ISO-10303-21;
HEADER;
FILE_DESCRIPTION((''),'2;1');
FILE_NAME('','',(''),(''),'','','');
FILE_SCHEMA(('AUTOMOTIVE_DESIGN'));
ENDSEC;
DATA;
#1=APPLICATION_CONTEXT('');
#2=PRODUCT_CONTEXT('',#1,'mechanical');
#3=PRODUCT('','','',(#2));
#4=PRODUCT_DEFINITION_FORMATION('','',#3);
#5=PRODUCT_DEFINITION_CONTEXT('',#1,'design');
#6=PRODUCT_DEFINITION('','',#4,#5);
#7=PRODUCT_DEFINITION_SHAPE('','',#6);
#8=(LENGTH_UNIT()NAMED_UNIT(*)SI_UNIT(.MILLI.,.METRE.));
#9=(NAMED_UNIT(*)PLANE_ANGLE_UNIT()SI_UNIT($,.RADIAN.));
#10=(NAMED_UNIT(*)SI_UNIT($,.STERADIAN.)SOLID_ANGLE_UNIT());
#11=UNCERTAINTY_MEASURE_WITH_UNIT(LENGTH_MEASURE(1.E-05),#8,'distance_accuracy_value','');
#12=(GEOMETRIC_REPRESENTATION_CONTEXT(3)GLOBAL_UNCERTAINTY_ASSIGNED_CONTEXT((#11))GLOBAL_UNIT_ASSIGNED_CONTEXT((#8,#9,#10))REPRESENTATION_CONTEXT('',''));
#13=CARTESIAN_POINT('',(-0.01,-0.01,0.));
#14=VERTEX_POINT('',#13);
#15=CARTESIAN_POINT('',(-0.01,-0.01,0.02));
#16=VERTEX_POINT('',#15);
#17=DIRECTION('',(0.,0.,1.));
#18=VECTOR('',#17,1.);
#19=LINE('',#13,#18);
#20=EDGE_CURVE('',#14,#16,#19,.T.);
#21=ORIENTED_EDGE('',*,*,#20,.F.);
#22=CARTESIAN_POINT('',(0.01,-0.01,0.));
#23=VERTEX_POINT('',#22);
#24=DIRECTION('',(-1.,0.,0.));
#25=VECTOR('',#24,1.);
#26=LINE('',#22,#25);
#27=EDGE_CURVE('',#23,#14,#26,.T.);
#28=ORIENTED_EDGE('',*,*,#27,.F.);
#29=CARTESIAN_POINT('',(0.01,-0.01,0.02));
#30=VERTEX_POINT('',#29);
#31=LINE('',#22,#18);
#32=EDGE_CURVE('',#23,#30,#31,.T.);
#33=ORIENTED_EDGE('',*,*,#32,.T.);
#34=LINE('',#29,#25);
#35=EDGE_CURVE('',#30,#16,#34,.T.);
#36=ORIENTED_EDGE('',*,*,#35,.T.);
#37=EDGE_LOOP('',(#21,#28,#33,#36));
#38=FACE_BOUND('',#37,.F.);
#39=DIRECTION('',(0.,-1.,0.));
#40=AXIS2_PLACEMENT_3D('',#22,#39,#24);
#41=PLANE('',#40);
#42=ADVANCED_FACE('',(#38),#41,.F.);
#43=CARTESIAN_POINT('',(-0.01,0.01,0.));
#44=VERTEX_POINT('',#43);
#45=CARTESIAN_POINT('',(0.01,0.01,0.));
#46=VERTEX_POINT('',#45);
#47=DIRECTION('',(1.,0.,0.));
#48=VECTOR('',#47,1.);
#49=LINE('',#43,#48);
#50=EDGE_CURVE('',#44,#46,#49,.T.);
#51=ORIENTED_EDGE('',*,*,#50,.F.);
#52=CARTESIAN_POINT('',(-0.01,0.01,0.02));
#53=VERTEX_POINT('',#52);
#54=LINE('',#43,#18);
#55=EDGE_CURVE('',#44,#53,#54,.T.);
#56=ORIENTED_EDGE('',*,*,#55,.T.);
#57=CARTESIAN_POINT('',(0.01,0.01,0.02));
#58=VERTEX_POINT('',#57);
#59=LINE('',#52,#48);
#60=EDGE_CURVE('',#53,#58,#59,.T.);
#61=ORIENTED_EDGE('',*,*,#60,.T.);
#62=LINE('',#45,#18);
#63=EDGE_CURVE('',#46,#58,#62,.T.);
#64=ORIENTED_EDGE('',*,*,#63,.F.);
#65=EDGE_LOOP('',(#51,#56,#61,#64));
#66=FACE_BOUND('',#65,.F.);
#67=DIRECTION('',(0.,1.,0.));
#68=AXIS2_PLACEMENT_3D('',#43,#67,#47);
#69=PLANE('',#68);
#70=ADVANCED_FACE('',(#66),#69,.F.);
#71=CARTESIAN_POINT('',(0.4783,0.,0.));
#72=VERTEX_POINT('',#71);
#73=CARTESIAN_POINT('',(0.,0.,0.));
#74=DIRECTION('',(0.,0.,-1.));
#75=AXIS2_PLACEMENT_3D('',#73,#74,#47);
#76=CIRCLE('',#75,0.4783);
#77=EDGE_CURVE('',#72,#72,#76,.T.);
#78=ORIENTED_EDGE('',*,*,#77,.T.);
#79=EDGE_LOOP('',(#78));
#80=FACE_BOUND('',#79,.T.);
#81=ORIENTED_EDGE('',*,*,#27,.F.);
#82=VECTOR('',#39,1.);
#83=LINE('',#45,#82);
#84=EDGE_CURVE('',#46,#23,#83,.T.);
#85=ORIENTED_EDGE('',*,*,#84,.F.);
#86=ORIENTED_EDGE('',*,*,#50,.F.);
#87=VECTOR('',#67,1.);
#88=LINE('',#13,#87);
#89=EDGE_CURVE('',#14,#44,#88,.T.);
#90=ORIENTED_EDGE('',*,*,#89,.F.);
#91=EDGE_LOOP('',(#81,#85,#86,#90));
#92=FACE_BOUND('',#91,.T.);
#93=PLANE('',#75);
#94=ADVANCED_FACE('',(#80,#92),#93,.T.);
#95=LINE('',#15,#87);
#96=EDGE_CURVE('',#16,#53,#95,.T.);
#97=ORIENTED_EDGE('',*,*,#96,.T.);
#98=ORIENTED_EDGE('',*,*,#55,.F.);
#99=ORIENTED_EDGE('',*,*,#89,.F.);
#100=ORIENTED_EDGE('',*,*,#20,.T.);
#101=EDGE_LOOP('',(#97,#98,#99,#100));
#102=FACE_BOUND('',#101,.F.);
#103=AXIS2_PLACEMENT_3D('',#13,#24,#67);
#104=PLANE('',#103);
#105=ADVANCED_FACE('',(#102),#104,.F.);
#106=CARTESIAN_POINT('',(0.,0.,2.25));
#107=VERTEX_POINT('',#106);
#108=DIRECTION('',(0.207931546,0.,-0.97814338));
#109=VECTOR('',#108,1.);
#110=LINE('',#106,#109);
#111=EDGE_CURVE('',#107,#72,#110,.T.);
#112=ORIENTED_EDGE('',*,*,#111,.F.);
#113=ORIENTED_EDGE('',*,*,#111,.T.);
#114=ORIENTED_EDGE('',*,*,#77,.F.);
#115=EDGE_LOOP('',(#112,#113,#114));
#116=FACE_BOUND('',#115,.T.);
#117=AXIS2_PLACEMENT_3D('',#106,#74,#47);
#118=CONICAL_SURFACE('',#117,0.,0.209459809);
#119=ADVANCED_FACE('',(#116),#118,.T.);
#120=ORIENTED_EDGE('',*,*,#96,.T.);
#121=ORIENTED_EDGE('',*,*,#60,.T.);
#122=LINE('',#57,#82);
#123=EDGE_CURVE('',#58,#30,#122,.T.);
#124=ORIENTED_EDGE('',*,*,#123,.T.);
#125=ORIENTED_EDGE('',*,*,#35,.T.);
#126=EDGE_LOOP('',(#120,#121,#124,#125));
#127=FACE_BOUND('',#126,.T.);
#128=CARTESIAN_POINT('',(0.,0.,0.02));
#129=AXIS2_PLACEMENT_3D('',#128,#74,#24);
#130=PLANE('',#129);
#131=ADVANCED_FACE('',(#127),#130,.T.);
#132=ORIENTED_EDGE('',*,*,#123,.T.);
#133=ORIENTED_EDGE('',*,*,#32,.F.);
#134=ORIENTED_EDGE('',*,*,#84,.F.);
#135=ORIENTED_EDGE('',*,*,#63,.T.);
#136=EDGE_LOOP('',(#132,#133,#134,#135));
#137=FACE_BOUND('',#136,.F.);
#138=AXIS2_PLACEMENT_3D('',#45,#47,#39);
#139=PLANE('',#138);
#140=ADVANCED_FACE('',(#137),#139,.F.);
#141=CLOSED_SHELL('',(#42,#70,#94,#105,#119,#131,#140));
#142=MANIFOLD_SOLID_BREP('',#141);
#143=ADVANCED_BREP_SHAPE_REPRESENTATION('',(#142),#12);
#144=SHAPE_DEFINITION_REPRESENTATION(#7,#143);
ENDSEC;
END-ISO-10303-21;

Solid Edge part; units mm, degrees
sketch "Sketch1" plane through (0, 0, 0) normal (0, -1, 0) x (1, 0, 0)
  line L0 (0, 0) -> (0, 2.25)
  line L1 (0, 2.25) -> (0.4783, 0)
  line L2 (0.4783, 0) -> (0, 0)
  dimension "D1" = 2.25
revolve "RevolvedProtrusion1" add sketch "Sketch1" angle 360 about axis through (0, 0, 54) along (0, 0, -1)
sketch "Sketch2" plane through (0, 0, 0) normal (0, 0, -1) x (1, 0, 0)
  line L0 (-0.01, -0.01) -> (0.01, -0.01)
  line L1 (0.01, -0.01) -> (0.01, 0.01)
  line L2 (0.01, 0.01) -> (-0.01, 0.01)
  line L3 (-0.01, 0.01) -> (-0.01, -0.01)
  dimension "D1" = 0.02
extrude "Cutout1" cut sketch "Sketch2" against normal blind 0.02
